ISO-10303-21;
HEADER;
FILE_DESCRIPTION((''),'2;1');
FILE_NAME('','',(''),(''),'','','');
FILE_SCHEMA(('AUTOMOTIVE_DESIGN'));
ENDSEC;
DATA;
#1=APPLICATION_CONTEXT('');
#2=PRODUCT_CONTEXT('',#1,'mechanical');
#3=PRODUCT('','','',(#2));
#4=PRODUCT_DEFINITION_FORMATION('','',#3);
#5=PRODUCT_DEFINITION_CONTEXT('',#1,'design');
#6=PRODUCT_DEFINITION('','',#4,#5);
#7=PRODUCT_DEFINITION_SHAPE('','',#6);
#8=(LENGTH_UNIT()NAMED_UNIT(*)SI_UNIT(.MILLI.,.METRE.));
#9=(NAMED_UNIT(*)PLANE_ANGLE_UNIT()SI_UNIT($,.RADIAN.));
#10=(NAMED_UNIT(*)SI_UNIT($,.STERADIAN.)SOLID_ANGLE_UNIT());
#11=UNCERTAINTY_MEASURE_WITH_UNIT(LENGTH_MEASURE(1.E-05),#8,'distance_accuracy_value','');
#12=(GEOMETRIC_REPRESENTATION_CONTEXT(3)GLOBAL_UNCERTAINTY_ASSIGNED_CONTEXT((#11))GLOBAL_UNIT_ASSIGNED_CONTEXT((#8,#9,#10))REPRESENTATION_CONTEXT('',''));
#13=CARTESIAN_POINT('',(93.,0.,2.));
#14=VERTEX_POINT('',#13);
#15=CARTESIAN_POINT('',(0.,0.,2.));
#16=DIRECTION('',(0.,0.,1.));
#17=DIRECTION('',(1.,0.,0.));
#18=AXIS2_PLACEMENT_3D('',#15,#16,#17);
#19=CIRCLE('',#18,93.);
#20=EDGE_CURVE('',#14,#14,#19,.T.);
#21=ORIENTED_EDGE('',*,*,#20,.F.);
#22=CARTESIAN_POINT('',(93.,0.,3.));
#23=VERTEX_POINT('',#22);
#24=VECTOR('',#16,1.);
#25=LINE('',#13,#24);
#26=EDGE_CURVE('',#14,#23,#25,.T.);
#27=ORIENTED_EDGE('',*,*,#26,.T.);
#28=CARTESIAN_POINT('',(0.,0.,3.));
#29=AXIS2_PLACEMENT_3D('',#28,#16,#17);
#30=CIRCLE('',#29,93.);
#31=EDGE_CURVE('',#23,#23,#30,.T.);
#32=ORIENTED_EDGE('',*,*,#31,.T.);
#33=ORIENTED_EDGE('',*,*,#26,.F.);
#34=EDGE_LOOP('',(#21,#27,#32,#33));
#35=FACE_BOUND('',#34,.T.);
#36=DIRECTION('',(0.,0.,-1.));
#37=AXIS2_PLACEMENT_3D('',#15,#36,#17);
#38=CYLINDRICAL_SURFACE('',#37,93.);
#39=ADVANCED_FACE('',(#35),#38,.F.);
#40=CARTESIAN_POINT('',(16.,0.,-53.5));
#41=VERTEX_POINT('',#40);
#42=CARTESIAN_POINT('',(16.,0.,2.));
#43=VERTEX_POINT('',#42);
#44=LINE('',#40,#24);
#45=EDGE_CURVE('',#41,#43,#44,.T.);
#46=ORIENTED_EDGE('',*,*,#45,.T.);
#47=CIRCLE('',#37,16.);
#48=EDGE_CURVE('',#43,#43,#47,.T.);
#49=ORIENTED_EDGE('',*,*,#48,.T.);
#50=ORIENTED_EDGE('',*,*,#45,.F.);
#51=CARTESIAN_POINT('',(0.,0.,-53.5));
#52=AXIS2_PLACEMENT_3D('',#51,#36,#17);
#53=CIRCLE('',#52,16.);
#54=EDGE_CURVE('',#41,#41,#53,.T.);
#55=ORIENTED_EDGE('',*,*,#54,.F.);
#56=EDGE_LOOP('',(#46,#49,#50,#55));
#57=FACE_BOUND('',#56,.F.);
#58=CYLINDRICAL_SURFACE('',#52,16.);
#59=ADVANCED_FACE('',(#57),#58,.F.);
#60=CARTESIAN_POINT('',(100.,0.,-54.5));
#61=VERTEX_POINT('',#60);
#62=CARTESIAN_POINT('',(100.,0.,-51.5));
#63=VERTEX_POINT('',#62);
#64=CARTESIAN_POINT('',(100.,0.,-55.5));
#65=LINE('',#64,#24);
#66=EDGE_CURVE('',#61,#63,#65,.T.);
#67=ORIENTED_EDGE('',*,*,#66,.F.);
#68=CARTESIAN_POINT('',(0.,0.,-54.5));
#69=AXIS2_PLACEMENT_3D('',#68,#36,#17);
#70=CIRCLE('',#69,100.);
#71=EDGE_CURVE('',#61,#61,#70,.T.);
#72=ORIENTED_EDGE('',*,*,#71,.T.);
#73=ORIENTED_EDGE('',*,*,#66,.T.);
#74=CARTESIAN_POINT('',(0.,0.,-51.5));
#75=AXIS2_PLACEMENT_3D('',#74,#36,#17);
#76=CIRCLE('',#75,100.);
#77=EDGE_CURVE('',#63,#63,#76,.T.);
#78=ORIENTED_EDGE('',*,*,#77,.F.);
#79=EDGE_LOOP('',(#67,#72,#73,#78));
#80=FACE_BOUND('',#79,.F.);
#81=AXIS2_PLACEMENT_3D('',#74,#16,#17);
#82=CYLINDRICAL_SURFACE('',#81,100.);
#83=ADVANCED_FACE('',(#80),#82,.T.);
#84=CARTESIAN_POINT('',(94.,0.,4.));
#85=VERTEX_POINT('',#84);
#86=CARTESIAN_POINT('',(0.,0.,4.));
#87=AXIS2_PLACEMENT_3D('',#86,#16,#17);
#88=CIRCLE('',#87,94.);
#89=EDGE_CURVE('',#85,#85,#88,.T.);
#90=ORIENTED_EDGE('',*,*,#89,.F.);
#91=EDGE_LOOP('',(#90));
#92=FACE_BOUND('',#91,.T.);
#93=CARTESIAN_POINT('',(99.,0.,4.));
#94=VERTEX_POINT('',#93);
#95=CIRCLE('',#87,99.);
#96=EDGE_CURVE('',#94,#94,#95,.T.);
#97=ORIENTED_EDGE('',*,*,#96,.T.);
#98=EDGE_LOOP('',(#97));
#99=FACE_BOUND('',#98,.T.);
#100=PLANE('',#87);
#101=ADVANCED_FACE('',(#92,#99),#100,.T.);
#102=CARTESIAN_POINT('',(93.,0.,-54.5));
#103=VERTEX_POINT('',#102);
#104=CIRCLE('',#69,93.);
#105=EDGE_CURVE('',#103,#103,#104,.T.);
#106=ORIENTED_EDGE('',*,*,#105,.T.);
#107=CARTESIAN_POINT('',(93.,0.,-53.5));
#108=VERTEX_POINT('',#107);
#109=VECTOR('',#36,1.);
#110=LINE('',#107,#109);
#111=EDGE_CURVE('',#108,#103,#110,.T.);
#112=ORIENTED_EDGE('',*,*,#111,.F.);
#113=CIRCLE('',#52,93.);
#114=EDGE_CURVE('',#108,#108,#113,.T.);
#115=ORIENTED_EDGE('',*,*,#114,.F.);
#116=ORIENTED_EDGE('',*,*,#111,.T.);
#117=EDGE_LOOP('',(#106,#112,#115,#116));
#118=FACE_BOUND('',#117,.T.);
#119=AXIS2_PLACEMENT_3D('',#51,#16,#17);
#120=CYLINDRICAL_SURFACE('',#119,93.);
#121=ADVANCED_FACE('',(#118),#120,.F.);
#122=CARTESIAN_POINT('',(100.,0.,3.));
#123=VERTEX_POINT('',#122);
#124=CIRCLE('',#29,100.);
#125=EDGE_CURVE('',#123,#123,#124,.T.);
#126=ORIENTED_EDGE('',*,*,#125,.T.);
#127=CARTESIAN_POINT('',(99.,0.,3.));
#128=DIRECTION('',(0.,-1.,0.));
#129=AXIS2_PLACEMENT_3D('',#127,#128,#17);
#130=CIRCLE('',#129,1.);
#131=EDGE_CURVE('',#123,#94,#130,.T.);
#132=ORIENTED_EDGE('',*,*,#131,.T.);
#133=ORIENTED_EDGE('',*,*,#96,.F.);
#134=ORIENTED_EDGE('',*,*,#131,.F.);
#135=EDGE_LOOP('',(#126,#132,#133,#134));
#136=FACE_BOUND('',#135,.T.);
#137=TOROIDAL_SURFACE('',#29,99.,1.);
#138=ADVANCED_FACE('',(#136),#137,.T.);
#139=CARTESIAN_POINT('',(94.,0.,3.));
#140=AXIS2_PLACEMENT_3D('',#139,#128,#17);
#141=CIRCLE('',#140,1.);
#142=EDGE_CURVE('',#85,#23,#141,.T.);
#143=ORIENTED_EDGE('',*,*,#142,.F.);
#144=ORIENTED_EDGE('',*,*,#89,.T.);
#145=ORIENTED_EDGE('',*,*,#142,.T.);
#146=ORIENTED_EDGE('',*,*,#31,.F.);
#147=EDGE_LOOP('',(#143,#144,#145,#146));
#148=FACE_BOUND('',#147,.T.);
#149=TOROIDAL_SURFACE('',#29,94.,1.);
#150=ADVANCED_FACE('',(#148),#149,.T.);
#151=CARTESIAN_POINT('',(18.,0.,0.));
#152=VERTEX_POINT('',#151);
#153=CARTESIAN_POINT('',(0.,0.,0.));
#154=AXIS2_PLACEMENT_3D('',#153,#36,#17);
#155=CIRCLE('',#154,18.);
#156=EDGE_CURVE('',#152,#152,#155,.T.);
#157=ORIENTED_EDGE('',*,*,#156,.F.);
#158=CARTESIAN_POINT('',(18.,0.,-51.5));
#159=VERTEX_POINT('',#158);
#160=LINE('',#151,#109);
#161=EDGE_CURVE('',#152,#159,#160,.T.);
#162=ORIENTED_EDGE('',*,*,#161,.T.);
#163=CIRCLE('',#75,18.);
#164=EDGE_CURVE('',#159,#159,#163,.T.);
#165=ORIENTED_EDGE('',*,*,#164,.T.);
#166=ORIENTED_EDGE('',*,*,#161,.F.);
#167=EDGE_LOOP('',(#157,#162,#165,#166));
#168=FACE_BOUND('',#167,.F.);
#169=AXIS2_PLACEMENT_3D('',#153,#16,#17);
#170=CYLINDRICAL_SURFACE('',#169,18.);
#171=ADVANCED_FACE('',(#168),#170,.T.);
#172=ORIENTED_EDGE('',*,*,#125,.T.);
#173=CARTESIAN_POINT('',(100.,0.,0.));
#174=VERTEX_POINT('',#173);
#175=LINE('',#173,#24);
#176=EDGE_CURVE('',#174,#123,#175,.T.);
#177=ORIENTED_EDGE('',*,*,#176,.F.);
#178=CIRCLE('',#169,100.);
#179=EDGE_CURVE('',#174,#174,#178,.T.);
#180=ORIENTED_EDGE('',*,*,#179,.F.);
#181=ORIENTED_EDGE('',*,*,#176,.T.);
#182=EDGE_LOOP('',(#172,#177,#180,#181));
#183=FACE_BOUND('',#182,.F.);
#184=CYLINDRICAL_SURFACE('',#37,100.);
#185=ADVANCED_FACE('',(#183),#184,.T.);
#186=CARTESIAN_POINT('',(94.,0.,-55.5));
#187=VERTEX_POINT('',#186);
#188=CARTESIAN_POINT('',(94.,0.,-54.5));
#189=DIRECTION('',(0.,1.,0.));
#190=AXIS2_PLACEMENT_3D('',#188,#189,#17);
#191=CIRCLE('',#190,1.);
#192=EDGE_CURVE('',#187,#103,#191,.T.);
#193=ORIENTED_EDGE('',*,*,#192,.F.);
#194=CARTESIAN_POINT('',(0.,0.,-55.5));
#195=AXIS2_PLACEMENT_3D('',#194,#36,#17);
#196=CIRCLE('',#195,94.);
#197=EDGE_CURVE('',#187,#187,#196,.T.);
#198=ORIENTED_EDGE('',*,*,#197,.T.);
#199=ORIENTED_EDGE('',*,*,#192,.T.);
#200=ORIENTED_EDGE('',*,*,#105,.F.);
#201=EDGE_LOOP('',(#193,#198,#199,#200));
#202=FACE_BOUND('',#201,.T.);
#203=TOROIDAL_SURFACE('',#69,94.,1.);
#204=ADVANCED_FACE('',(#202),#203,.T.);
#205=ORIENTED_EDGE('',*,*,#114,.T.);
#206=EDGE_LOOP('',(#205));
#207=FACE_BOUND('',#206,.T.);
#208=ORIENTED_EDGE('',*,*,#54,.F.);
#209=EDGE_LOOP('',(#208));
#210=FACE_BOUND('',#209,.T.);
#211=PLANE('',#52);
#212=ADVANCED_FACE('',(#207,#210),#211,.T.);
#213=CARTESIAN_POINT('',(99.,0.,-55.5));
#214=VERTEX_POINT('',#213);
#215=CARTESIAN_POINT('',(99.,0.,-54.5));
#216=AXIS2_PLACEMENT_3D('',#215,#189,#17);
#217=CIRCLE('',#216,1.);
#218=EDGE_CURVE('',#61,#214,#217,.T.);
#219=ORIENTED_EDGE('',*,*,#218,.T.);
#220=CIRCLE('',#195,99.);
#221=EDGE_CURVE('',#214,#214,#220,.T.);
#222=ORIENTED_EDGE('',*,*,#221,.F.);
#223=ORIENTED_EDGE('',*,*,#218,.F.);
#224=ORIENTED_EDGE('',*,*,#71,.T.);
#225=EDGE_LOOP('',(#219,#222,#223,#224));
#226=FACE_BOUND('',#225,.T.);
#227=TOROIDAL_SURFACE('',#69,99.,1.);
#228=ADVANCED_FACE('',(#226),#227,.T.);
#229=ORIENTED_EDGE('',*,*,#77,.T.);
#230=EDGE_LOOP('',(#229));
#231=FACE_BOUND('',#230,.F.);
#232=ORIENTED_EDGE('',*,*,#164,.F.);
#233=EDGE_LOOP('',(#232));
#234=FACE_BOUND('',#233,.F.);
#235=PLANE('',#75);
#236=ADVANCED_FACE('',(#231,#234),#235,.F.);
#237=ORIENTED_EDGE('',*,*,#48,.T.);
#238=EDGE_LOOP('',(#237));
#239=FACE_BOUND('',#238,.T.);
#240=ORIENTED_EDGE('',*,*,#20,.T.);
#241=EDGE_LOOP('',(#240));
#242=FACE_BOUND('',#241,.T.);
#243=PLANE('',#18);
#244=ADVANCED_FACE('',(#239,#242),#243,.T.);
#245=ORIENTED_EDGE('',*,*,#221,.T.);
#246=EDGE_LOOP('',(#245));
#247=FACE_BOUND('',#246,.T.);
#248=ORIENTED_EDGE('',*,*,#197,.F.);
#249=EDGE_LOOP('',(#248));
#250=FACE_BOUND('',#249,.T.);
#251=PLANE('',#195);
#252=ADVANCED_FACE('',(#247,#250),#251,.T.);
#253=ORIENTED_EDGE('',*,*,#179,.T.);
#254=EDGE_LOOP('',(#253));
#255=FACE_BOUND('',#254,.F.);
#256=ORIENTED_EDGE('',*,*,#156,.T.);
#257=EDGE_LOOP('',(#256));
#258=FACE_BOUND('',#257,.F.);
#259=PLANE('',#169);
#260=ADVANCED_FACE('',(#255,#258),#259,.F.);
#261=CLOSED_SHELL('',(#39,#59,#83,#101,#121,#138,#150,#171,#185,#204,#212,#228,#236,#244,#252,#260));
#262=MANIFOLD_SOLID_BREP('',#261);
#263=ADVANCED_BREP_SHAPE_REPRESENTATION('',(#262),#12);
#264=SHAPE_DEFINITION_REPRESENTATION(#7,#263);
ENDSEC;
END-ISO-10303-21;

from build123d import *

# Parameters (mm, degrees)
F0_R      = 100
F1_DEPTH  = 2
F2_R      = 100
F2_R_2    = 93
F3_DEPTH  = 2
F4_R      = 18
F5_DEPTH  = 51.5
F6_R      = 100
F7_DEPTH  = 2
F8_R      = 100
F8_R_2    = 93
F9_DEPTH  = 2
F10_R     = 1
F11_R     = 16
F12_DEPTH = 69


with BuildPart() as f1:
    # F0 (on Top) → F1 (new body)
    with BuildSketch(Plane.XY):
        Circle(F0_R)
    extrude(amount=F1_DEPTH)

    # F4 (on face) → F5 (join)
    with BuildSketch(Plane(origin=(0, 0, 0), x_dir=(1, 0, 0), z_dir=(0, 0, -1))):
        Circle(F4_R)
    extrude(amount=F5_DEPTH)



with BuildPart() as f3:
    # F2 (on face) → F3 (new body)
    with BuildSketch(Plane(origin=(0, 0, -53.5), x_dir=(1, 0, 0), z_dir=(0, 0, -1))):
        Circle(F2_R)
        Circle(F2_R_2, mode=Mode.SUBTRACT)
    extrude(amount=F3_DEPTH)


with BuildPart() as f1_1:
    add(f1.part)

    add(f3.part)  # F7 merges F3
    # F6 (on face) → F7 (join)
    with BuildSketch(Plane(origin=(0, 0, -51.5), x_dir=(1, 0, 0), z_dir=(0, 0, -1))):
        Circle(F6_R)
    extrude(amount=F7_DEPTH)

    # F8 (on face) → F9 (join)
    with BuildSketch(Plane.XY.offset(2)):
        Circle(F8_R)
        Circle(F8_R_2, mode=Mode.SUBTRACT)
    extrude(amount=F9_DEPTH)

    # F10
    f10_edges = [f1_1.edges().sort_by_distance(p)[0] for p in [
        (-93, 0, -55.5),
        (-100, 0, -55.5),
        (-93, 0, 4),
        (-100, 0, 4),
    ]]
    fillet(f10_edges, radius=F10_R)

    # F11 (on face) → F12 (cut)
    with BuildSketch(Plane(origin=(0, 0, -53.5), x_dir=(1, 0, 0), z_dir=(0, 0, -1))):
        Circle(F11_R)
    extrude(amount=-F12_DEPTH, mode=Mode.SUBTRACT)


solid = f1_1.part
